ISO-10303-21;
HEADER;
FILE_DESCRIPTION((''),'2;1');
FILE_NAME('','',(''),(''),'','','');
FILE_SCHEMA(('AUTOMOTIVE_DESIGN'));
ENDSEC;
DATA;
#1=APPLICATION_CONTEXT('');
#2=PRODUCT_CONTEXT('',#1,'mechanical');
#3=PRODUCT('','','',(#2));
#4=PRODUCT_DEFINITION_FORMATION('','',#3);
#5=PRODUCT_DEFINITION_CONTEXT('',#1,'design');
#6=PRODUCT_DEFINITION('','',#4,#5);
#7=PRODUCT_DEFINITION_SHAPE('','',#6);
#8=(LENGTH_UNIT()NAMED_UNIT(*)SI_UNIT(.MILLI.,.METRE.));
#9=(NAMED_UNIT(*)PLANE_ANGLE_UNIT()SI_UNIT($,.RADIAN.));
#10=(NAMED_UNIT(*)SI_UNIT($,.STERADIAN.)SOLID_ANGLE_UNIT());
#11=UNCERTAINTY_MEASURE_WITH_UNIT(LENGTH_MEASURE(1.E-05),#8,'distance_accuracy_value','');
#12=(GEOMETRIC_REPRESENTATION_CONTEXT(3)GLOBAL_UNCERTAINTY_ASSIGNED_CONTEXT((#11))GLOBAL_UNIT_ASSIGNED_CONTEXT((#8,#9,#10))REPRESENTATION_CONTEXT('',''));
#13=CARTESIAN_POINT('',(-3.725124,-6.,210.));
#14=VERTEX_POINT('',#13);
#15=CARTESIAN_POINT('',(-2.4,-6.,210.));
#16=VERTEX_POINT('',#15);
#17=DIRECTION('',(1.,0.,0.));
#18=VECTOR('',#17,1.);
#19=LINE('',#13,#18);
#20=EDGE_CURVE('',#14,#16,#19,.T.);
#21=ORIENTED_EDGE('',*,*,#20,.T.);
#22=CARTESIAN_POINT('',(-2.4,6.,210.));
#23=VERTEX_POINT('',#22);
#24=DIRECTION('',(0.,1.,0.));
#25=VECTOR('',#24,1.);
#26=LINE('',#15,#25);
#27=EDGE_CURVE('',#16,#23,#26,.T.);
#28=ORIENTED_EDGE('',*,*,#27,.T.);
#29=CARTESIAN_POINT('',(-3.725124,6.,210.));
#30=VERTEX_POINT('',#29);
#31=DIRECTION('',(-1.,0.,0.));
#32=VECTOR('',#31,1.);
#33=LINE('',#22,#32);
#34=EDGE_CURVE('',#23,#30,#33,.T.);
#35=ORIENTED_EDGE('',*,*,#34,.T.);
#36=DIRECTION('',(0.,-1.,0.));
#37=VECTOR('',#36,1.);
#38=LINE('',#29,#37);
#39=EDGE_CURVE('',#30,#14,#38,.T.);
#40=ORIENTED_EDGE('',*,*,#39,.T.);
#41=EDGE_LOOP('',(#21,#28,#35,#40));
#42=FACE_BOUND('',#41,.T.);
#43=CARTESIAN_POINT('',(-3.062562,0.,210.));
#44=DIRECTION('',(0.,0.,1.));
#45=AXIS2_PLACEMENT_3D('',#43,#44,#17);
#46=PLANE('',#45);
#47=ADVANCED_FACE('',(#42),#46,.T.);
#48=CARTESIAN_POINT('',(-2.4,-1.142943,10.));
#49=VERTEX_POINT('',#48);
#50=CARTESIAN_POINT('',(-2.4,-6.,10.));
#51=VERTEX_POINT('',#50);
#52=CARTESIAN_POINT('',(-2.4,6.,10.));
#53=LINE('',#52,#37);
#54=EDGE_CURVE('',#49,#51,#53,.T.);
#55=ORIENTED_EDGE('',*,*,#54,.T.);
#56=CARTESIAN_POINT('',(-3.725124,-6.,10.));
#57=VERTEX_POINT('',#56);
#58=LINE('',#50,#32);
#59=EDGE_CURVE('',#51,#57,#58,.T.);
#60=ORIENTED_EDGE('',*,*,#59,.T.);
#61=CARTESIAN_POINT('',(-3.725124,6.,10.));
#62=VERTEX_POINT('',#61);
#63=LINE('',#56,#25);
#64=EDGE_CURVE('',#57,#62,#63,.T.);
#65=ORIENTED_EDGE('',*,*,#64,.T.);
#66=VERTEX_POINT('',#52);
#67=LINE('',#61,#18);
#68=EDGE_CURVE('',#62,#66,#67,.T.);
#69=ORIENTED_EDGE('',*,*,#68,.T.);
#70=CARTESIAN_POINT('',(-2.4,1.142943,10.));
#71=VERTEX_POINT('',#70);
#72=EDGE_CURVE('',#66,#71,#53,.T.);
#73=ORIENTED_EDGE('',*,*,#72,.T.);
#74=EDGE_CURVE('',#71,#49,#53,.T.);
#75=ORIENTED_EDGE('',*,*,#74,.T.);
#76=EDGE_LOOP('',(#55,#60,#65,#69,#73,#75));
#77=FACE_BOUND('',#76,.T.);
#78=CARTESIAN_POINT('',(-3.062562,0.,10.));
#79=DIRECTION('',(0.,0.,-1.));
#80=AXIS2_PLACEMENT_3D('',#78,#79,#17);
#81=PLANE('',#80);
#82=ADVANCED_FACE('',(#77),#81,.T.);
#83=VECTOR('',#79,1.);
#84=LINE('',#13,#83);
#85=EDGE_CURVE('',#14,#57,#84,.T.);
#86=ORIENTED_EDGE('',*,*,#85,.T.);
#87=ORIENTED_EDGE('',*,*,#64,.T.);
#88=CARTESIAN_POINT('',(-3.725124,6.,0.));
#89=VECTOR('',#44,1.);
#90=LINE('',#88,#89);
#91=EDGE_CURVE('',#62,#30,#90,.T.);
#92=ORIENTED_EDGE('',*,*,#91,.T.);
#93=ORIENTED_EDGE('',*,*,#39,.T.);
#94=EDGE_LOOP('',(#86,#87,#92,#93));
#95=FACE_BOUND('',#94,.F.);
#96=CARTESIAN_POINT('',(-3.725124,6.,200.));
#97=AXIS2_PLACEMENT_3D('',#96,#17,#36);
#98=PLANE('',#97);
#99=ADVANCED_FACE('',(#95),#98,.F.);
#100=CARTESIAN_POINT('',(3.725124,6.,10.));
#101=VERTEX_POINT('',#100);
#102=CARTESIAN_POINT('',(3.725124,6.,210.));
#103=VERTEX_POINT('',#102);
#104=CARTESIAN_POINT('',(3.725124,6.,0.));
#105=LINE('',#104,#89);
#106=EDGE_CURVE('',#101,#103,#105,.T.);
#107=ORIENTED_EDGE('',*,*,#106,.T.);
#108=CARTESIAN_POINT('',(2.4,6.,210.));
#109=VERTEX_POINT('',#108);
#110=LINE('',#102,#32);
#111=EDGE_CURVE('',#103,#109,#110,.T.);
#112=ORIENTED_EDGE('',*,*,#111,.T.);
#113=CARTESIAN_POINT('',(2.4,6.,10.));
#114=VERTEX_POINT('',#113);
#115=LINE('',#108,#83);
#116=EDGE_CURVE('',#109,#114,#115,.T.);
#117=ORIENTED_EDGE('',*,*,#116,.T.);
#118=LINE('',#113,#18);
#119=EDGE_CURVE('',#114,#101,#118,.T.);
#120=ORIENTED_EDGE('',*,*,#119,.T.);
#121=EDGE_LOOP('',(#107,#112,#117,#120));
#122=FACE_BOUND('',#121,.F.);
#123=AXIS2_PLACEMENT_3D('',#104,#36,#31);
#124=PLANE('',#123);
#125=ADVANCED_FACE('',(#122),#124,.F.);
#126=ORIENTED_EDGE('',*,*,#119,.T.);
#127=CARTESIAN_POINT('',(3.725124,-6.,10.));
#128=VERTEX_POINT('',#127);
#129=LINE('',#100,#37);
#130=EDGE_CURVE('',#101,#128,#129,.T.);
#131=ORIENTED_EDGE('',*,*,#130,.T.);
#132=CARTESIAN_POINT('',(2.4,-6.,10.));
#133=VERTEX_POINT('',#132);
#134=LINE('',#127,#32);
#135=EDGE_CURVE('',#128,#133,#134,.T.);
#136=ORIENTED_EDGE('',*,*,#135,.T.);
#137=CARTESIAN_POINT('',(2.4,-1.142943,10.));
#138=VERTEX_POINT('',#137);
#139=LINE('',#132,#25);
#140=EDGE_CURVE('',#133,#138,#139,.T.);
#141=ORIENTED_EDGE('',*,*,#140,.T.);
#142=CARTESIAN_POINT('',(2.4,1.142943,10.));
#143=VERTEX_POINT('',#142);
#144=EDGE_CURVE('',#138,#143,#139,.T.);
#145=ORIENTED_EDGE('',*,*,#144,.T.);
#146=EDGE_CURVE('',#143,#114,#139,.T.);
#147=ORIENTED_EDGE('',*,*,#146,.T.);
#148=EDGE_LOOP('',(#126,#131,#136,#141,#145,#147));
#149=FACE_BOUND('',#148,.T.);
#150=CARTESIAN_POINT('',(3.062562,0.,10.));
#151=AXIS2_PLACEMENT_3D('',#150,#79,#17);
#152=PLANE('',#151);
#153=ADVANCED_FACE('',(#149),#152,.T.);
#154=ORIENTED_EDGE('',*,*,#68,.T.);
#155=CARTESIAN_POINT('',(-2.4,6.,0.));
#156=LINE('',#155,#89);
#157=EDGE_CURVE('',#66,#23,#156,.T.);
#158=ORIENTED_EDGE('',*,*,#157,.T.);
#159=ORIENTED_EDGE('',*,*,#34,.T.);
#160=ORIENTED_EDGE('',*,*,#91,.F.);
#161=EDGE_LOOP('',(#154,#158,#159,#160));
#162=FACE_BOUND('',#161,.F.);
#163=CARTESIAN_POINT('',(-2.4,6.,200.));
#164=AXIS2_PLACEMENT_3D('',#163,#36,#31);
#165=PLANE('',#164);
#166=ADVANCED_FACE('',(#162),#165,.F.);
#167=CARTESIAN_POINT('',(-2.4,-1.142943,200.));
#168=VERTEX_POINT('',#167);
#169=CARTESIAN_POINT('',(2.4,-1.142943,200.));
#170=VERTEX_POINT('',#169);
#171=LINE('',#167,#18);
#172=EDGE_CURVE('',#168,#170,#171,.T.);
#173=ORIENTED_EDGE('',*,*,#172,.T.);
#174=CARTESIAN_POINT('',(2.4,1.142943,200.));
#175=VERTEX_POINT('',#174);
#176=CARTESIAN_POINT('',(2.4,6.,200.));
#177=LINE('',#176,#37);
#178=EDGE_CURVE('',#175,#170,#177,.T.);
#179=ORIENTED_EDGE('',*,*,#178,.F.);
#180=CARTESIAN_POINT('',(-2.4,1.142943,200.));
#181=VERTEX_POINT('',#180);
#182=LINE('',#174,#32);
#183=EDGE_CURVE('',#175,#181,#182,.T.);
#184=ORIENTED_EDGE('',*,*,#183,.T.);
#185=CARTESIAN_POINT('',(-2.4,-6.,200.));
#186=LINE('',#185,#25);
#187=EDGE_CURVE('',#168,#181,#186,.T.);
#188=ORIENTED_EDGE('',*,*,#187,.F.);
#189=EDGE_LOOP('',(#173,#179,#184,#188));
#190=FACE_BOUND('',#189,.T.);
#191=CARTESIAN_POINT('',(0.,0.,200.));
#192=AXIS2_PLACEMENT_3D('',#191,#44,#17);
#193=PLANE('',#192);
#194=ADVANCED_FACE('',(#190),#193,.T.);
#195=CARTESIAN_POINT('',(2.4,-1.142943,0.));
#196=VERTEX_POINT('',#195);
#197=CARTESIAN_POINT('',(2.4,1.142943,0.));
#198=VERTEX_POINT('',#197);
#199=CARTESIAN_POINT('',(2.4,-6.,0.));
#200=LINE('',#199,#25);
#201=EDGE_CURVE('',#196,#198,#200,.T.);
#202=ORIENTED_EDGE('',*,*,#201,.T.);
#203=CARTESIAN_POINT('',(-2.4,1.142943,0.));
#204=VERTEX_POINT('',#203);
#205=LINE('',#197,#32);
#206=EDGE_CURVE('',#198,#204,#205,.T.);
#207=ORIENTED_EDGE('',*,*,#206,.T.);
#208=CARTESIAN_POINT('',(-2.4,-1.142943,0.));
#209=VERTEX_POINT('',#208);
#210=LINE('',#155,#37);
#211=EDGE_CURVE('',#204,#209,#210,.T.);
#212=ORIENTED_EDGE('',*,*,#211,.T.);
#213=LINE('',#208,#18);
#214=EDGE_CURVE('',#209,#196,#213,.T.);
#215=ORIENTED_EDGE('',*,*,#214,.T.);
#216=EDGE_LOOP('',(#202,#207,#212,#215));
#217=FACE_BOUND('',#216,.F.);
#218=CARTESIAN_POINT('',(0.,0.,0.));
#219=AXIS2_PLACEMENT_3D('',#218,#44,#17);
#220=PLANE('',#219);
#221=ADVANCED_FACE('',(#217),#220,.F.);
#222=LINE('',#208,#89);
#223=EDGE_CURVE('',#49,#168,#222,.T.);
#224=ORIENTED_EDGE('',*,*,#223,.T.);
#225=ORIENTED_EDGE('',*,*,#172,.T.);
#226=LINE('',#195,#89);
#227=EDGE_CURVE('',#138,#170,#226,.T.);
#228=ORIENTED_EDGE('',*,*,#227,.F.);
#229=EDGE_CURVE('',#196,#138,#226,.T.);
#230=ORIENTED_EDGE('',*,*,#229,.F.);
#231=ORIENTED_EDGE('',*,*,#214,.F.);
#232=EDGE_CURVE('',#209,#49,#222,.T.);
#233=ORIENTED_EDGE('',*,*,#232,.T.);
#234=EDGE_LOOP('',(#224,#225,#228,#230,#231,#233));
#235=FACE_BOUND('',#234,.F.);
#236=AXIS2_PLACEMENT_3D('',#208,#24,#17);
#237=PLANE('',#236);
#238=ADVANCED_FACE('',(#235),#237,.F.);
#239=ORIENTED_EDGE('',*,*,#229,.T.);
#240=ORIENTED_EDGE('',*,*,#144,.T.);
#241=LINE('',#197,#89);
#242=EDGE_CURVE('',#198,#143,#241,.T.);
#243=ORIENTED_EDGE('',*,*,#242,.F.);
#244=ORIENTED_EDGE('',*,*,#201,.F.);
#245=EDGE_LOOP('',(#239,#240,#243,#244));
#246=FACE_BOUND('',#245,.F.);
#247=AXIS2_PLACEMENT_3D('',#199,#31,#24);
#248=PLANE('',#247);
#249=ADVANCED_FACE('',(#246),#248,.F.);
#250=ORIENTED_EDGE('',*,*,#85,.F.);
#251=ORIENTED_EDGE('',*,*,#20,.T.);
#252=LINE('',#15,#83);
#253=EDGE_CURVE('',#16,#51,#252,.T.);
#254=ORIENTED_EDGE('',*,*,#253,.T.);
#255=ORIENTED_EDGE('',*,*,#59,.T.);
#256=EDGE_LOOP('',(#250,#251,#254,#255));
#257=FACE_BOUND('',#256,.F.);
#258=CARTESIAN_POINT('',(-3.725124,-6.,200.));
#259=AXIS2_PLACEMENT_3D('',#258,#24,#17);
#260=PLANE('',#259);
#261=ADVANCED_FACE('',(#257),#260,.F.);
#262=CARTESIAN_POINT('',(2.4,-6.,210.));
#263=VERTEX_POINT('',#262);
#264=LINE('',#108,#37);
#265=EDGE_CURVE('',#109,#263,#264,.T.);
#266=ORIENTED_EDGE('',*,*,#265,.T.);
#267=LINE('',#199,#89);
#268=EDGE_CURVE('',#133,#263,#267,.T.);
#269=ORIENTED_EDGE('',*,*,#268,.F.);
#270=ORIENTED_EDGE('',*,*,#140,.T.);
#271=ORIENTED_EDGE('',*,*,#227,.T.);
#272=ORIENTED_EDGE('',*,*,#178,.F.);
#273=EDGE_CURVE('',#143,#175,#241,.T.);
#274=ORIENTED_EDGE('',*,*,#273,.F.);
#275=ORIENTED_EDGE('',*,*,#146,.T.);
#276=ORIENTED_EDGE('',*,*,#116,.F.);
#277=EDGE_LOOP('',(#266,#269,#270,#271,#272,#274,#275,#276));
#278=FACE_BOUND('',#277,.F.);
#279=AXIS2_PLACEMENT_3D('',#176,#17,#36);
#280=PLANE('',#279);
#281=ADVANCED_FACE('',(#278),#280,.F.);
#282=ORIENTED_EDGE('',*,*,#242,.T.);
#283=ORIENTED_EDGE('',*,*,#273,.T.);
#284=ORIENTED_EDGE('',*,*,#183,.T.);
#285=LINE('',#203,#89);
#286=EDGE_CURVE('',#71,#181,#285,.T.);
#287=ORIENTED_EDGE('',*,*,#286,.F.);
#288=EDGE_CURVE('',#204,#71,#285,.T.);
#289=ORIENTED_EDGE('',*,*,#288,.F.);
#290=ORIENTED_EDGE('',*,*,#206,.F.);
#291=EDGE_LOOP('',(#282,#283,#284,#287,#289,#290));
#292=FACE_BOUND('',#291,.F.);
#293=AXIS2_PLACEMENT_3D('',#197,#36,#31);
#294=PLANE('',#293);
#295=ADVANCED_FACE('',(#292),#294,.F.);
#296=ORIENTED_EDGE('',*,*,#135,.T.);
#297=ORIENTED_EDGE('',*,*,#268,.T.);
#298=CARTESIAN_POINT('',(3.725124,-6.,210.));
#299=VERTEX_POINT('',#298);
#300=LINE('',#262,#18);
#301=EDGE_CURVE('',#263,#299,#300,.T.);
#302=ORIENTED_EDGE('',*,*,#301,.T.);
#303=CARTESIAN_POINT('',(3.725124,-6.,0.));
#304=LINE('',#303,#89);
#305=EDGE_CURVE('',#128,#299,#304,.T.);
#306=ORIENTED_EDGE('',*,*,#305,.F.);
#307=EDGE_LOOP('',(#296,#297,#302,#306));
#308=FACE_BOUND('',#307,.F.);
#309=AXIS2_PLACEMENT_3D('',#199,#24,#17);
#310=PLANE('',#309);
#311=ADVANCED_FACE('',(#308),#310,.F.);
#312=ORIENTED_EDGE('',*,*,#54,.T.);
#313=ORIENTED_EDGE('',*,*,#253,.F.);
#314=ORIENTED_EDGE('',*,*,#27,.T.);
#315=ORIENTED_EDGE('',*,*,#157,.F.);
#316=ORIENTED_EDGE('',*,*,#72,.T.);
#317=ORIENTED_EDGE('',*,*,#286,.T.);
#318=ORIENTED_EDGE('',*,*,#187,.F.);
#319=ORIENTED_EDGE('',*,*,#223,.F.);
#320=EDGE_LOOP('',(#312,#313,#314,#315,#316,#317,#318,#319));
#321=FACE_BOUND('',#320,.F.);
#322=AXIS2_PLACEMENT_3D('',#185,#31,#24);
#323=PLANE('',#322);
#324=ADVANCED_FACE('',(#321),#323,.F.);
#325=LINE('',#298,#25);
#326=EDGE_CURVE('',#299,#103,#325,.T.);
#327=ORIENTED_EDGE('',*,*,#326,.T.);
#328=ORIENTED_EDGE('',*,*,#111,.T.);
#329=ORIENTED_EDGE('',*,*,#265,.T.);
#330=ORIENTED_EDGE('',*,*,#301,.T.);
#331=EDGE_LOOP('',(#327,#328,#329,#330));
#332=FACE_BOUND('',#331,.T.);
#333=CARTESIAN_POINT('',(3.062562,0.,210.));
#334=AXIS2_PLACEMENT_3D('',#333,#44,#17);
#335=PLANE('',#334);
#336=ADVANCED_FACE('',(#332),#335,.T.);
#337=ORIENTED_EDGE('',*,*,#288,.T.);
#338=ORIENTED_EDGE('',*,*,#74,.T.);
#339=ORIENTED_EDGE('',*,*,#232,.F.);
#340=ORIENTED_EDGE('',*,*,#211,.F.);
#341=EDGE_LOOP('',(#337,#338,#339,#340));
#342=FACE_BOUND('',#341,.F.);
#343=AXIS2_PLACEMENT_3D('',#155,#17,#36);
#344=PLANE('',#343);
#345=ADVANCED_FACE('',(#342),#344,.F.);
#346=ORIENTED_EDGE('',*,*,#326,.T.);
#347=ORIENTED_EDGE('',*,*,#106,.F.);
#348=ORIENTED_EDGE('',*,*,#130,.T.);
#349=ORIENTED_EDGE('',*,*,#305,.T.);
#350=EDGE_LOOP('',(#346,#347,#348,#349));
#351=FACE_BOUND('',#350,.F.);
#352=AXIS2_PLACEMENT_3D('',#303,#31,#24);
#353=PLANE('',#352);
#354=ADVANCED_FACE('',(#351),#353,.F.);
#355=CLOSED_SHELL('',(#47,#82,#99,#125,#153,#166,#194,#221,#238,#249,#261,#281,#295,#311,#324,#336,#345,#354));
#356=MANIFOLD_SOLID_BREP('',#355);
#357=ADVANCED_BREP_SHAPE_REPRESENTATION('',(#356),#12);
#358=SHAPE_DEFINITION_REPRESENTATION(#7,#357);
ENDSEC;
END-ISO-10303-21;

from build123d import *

# Parameters (mm, degrees)
F1_DEPTH = 200
F3_DEPTH = 10
F5_DEPTH = 10


with BuildPart() as f1:
    # F0 (on Top) → F1 (new body)
    with BuildSketch(Plane.XY):
        Polygon((2.4, 1.1429430888), (0, 1.1429430888), (-2.4, 1.1429430888), (-2.4, 6), (-3.7251238391, 6), (-3.7251238391, 0), (-3.7251238391, -6), (-2.4, -6), (-2.4, -1.1429430888), (0, -1.1429430888), (2.4, -1.1429430888), (2.4, -6), (3.7251238391, -6), (3.7251238391, 0), (3.7251238391, 6), (2.4, 6), align=None)
    extrude(amount=F1_DEPTH)

    # F2 (on face) → F3 (join)
    with BuildSketch(Plane.XY.offset(200)):
        Polygon((-2.4, -6), (-2.4, -1.1429430888), (-2.4, 1.1429430888), (-2.4, 6), (-3.7251238391, 6), (-3.7251238391, -6), align=None)
        Polygon((2.4, 1.1429430888), (2.4, -1.1429430888), (2.4, -6), (3.7251238391, -6), (3.7251238391, 6), (2.4, 6), align=None)
    extrude(amount=F3_DEPTH)

    # F4 (on face) → F5 (cut)
    with BuildSketch(Plane(origin=(0, 0, 0), x_dir=(1, 0, 0), z_dir=(0, 0, -1))):
        Polygon((2.4, 1.1429430888), (2.4, -1.1429430888), (2.4, -6), (3.7251238391, -6), (3.7251238391, 6), (2.4, 6), align=None)
        Polygon((-2.4, -6), (-2.4, -1.1429430888), (-2.4, 1.1429430888), (-2.4, 6), (-3.7251238391, 6), (-3.7251238391, -6), align=None)
    extrude(amount=-F5_DEPTH, mode=Mode.SUBTRACT)


solid = f1.part
